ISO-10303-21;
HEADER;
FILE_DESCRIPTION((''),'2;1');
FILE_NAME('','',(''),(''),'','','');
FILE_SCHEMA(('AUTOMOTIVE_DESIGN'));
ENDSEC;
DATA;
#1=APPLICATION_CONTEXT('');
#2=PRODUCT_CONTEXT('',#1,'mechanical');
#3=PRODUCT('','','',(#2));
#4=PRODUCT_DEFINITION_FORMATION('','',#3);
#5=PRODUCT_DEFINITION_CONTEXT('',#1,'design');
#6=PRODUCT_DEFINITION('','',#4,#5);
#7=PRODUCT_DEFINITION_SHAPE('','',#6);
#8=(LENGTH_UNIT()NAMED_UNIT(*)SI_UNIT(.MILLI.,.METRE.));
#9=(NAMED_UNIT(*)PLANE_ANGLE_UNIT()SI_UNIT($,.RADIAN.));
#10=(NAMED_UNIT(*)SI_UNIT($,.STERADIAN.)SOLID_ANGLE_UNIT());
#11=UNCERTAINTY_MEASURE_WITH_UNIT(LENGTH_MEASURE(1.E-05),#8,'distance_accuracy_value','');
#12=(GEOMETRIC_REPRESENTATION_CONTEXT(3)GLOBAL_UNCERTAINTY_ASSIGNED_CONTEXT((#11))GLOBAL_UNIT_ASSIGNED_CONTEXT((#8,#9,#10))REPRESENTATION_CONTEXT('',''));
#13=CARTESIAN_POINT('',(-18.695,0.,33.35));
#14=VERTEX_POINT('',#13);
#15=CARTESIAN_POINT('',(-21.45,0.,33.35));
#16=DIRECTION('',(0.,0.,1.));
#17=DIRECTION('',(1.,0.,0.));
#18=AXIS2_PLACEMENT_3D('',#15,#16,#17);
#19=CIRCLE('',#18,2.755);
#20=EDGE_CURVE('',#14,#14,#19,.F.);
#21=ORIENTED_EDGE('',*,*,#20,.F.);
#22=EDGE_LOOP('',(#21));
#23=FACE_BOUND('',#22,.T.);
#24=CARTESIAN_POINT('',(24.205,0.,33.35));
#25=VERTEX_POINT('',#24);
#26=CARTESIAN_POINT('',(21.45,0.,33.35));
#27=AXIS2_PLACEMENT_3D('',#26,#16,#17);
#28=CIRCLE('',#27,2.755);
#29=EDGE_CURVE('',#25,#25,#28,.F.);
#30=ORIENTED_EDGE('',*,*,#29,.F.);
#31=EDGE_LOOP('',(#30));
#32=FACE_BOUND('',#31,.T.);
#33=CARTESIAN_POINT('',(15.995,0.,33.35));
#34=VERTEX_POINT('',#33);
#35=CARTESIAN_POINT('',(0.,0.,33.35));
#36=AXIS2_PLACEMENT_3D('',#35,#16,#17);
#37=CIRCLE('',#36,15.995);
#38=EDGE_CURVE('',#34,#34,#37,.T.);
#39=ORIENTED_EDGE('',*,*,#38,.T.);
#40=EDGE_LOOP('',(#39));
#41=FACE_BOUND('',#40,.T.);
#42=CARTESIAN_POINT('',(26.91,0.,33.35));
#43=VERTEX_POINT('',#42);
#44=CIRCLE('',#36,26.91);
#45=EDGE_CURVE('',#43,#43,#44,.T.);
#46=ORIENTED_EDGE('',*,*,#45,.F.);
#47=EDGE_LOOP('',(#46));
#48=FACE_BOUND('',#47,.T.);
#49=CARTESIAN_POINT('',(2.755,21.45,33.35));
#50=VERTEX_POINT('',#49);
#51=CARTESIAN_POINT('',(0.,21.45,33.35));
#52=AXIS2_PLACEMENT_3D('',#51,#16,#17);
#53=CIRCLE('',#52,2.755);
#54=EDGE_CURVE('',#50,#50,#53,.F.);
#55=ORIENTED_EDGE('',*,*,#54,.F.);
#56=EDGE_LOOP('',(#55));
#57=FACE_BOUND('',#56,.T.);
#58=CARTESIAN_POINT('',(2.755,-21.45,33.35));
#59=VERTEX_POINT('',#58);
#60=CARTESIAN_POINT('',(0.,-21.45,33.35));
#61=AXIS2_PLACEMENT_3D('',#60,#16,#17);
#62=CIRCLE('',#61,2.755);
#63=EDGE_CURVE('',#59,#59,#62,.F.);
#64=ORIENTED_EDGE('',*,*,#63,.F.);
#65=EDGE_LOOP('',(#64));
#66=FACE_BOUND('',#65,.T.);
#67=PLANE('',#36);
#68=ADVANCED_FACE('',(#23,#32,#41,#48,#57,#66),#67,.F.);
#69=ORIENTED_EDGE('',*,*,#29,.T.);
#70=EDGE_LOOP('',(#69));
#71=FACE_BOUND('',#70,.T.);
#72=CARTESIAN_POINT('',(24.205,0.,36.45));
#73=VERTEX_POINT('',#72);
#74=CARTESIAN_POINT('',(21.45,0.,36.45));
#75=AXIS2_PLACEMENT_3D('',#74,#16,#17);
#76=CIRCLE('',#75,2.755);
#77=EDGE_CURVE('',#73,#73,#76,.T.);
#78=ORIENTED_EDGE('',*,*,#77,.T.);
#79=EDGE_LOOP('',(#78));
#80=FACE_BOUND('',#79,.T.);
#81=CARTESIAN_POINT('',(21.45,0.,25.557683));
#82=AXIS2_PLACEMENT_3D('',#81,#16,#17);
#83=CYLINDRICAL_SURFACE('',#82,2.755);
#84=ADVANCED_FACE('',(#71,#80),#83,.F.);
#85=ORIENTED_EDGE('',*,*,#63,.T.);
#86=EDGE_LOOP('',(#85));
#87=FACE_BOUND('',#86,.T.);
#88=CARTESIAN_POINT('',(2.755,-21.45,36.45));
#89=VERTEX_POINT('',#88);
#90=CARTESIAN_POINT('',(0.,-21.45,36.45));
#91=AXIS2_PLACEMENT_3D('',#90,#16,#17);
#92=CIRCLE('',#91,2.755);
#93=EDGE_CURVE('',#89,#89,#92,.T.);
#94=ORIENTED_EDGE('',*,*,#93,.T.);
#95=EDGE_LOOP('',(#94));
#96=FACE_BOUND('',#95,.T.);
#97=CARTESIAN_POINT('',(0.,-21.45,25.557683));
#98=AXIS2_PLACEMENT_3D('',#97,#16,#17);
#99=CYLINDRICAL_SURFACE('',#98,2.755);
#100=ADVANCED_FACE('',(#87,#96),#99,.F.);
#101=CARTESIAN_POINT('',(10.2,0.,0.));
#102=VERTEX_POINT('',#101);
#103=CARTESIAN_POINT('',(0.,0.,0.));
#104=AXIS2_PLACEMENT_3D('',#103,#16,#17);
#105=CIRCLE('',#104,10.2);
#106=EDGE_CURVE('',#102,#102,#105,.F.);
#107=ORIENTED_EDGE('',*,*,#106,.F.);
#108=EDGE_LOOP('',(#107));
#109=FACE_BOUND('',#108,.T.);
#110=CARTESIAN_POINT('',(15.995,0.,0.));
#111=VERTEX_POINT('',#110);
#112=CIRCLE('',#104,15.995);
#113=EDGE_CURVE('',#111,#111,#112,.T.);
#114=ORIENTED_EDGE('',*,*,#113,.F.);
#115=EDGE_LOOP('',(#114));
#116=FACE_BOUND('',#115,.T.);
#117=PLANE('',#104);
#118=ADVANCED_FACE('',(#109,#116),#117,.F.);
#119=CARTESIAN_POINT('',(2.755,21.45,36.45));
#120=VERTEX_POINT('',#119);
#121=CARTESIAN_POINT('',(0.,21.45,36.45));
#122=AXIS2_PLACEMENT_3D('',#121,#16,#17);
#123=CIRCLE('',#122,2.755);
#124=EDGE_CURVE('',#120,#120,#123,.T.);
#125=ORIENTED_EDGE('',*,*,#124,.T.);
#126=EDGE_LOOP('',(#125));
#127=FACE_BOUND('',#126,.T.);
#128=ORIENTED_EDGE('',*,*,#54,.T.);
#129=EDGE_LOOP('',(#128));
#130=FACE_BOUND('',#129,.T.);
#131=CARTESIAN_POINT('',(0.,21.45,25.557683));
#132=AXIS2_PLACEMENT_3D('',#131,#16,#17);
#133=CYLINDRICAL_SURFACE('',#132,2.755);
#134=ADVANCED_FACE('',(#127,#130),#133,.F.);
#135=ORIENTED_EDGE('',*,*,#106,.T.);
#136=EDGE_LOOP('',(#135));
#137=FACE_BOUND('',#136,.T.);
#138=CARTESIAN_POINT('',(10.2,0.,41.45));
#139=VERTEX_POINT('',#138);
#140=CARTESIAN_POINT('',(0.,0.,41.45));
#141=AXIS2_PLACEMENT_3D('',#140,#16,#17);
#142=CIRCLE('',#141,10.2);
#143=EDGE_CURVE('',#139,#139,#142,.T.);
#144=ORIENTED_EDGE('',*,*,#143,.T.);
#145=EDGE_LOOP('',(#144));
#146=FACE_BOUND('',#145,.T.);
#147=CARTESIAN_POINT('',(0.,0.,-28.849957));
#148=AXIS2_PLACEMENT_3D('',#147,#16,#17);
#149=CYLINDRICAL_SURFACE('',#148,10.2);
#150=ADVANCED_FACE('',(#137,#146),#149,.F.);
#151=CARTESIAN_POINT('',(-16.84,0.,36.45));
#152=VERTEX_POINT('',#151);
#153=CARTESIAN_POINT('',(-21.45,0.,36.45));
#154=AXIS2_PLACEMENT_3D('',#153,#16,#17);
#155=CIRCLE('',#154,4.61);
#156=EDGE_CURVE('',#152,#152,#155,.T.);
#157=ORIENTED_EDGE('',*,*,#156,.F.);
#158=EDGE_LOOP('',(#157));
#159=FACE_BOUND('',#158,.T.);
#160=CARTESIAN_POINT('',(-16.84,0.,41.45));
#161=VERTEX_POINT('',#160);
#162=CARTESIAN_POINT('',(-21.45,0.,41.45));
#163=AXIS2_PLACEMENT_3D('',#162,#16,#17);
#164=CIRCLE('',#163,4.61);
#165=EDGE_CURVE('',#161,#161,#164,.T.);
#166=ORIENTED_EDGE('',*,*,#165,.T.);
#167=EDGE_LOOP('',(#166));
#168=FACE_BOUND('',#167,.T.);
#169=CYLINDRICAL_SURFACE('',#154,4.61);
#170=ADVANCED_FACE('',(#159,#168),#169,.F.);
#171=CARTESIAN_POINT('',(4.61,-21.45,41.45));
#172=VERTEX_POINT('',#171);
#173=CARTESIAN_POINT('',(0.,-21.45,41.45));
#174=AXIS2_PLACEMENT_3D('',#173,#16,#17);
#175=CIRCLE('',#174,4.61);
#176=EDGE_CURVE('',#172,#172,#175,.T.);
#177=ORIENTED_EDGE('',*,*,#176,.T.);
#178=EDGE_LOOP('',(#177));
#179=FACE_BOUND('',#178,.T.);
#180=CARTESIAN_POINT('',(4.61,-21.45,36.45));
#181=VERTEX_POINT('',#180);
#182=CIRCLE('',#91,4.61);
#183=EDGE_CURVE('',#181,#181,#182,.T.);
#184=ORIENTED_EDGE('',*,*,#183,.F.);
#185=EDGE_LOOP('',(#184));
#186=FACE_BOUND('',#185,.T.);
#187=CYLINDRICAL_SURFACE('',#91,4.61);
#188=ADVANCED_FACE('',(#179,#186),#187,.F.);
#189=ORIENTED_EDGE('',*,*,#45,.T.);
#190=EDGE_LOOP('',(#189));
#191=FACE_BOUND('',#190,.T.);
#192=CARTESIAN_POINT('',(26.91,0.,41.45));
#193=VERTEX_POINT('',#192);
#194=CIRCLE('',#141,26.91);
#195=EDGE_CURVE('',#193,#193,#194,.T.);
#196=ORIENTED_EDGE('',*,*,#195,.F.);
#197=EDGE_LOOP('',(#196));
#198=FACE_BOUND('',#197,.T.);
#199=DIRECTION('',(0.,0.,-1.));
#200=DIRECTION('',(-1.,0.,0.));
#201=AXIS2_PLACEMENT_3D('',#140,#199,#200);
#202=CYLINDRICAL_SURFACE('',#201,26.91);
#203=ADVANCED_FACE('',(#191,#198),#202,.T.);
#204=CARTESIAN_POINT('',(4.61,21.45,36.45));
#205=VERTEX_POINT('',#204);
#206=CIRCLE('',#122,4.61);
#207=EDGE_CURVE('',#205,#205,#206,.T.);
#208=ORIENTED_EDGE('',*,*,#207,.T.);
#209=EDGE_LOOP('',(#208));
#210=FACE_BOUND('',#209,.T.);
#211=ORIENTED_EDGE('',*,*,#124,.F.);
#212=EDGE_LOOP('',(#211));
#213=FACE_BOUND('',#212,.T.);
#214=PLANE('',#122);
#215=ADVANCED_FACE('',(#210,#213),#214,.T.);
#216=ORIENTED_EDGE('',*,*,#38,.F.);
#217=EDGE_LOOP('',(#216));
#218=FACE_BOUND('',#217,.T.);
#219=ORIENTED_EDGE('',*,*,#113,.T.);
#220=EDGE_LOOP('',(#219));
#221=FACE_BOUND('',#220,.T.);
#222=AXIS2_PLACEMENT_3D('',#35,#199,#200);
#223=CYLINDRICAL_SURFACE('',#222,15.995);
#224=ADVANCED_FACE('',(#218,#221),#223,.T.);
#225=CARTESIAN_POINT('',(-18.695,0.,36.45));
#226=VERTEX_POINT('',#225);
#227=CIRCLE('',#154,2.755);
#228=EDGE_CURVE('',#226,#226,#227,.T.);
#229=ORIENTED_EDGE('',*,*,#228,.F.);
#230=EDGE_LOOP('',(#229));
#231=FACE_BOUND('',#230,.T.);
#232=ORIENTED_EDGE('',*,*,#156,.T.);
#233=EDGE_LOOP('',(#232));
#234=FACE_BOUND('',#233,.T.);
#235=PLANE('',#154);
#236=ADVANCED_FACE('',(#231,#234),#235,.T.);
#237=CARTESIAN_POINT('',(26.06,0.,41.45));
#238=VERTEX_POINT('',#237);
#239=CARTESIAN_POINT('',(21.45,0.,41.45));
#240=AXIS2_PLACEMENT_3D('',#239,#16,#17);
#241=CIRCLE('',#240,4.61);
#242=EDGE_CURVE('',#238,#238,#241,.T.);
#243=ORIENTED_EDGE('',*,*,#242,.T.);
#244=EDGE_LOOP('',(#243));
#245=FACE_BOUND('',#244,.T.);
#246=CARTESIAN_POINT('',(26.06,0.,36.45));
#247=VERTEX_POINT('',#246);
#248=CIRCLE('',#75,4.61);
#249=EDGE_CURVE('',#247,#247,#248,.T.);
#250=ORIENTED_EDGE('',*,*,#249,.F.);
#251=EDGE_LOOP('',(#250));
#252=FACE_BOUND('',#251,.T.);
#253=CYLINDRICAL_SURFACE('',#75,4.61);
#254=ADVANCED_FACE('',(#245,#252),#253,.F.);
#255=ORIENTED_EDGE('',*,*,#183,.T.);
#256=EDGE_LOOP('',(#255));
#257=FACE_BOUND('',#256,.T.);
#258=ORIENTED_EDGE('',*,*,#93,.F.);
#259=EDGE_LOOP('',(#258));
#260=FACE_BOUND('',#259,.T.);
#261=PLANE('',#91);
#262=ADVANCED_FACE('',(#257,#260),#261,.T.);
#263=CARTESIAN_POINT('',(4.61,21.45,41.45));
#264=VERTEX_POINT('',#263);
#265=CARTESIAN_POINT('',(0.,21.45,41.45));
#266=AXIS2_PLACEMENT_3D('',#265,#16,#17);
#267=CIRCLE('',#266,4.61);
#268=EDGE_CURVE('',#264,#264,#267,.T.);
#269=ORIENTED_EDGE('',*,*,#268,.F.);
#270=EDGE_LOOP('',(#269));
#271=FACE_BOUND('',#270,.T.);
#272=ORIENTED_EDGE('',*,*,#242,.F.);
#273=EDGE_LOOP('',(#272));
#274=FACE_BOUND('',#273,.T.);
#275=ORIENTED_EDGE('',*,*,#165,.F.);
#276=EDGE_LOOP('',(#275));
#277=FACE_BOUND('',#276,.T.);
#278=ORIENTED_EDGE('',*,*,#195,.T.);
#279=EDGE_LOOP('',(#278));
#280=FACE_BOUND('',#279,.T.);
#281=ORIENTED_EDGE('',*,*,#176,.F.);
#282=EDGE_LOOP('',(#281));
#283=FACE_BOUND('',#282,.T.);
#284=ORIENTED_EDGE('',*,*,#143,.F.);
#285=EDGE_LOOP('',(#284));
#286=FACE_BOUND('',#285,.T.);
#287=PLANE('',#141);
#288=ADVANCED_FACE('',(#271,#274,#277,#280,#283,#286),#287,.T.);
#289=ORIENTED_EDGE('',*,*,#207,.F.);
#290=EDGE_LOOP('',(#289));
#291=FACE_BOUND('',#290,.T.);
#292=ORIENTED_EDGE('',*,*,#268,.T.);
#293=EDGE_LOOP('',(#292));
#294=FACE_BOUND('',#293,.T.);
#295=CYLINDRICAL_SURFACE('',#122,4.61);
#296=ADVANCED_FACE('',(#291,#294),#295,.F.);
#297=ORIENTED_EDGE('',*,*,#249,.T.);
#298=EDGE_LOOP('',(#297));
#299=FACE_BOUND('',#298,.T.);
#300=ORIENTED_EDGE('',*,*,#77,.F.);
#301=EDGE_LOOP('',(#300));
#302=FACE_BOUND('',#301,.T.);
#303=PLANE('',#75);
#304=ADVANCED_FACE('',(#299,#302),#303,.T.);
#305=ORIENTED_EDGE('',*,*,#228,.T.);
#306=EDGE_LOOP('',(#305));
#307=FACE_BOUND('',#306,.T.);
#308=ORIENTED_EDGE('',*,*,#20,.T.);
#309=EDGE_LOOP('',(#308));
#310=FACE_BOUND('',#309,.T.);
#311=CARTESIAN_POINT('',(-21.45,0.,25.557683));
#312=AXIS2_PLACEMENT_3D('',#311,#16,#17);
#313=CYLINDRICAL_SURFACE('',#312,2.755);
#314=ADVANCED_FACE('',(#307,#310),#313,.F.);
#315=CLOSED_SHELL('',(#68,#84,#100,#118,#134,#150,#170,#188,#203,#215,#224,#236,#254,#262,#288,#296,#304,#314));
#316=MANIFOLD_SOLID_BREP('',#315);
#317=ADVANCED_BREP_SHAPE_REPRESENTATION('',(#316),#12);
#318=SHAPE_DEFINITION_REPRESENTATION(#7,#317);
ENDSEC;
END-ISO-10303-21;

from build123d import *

# Parameters (mm, degrees)
ESBO_O1_R                = 15.995
RESSALTO_EXTRUS_O1_DEPTH = 33.35
ESBO_O2_R                = 26.91
RESSALTO_EXTRUS_O2_DEPTH = 8.1
ESBO_O3_R                = 4.61
CORTE_EXTRUS_O1_DEPTH    = 5
ESBO_O4_R                = 2.755
CORTE_EXTRUS_O2_DEPTH    = 8.1
ESBO_O5_R                = 10.2
CORTE_EXTRUS_O3_DEPTH    = 41.45


with BuildPart() as part:
    # Esboço1 → Ressalto-extrusão1 (new body)
    with BuildSketch(Plane.XY):
        Circle(ESBO_O1_R)
    extrude(amount=RESSALTO_EXTRUS_O1_DEPTH)

    # Esboço2 → Ressalto-extrusão2 (add)
    with BuildSketch(Plane.XY.offset(33.35)):
        Circle(ESBO_O2_R)
    extrude(amount=RESSALTO_EXTRUS_O2_DEPTH)

    # Esboço3 → Corte-extrusão1 (cut)
    with BuildSketch(Plane.XY.offset(41.45)):
        with Locations((21.45, 0)):
            Circle(ESBO_O3_R)
        with Locations((0, -21.45)):
            Circle(ESBO_O3_R)
        with Locations((-21.45, 0)):
            Circle(ESBO_O3_R)
        with Locations((0, 21.45)):
            Circle(ESBO_O3_R)
    extrude(amount=-CORTE_EXTRUS_O1_DEPTH, mode=Mode.SUBTRACT)

    # Esboço4 → Corte-extrusão2 (cut)
    with BuildSketch(Plane.XY.offset(41.45)):
        with Locations((21.45, 0)):
            Circle(ESBO_O4_R)
        with Locations((0, -21.45)):
            Circle(ESBO_O4_R)
        with Locations((-21.45, 0)):
            Circle(ESBO_O4_R)
        with Locations((0, 21.45)):
            Circle(ESBO_O4_R)
    extrude(amount=-CORTE_EXTRUS_O2_DEPTH, mode=Mode.SUBTRACT)

    # Esboço5 → Corte-extrusão3 (cut)
    with BuildSketch(Plane.XY.offset(41.45)):
        Circle(ESBO_O5_R)
    extrude(amount=-CORTE_EXTRUS_O3_DEPTH, mode=Mode.SUBTRACT)


solid = part.part
